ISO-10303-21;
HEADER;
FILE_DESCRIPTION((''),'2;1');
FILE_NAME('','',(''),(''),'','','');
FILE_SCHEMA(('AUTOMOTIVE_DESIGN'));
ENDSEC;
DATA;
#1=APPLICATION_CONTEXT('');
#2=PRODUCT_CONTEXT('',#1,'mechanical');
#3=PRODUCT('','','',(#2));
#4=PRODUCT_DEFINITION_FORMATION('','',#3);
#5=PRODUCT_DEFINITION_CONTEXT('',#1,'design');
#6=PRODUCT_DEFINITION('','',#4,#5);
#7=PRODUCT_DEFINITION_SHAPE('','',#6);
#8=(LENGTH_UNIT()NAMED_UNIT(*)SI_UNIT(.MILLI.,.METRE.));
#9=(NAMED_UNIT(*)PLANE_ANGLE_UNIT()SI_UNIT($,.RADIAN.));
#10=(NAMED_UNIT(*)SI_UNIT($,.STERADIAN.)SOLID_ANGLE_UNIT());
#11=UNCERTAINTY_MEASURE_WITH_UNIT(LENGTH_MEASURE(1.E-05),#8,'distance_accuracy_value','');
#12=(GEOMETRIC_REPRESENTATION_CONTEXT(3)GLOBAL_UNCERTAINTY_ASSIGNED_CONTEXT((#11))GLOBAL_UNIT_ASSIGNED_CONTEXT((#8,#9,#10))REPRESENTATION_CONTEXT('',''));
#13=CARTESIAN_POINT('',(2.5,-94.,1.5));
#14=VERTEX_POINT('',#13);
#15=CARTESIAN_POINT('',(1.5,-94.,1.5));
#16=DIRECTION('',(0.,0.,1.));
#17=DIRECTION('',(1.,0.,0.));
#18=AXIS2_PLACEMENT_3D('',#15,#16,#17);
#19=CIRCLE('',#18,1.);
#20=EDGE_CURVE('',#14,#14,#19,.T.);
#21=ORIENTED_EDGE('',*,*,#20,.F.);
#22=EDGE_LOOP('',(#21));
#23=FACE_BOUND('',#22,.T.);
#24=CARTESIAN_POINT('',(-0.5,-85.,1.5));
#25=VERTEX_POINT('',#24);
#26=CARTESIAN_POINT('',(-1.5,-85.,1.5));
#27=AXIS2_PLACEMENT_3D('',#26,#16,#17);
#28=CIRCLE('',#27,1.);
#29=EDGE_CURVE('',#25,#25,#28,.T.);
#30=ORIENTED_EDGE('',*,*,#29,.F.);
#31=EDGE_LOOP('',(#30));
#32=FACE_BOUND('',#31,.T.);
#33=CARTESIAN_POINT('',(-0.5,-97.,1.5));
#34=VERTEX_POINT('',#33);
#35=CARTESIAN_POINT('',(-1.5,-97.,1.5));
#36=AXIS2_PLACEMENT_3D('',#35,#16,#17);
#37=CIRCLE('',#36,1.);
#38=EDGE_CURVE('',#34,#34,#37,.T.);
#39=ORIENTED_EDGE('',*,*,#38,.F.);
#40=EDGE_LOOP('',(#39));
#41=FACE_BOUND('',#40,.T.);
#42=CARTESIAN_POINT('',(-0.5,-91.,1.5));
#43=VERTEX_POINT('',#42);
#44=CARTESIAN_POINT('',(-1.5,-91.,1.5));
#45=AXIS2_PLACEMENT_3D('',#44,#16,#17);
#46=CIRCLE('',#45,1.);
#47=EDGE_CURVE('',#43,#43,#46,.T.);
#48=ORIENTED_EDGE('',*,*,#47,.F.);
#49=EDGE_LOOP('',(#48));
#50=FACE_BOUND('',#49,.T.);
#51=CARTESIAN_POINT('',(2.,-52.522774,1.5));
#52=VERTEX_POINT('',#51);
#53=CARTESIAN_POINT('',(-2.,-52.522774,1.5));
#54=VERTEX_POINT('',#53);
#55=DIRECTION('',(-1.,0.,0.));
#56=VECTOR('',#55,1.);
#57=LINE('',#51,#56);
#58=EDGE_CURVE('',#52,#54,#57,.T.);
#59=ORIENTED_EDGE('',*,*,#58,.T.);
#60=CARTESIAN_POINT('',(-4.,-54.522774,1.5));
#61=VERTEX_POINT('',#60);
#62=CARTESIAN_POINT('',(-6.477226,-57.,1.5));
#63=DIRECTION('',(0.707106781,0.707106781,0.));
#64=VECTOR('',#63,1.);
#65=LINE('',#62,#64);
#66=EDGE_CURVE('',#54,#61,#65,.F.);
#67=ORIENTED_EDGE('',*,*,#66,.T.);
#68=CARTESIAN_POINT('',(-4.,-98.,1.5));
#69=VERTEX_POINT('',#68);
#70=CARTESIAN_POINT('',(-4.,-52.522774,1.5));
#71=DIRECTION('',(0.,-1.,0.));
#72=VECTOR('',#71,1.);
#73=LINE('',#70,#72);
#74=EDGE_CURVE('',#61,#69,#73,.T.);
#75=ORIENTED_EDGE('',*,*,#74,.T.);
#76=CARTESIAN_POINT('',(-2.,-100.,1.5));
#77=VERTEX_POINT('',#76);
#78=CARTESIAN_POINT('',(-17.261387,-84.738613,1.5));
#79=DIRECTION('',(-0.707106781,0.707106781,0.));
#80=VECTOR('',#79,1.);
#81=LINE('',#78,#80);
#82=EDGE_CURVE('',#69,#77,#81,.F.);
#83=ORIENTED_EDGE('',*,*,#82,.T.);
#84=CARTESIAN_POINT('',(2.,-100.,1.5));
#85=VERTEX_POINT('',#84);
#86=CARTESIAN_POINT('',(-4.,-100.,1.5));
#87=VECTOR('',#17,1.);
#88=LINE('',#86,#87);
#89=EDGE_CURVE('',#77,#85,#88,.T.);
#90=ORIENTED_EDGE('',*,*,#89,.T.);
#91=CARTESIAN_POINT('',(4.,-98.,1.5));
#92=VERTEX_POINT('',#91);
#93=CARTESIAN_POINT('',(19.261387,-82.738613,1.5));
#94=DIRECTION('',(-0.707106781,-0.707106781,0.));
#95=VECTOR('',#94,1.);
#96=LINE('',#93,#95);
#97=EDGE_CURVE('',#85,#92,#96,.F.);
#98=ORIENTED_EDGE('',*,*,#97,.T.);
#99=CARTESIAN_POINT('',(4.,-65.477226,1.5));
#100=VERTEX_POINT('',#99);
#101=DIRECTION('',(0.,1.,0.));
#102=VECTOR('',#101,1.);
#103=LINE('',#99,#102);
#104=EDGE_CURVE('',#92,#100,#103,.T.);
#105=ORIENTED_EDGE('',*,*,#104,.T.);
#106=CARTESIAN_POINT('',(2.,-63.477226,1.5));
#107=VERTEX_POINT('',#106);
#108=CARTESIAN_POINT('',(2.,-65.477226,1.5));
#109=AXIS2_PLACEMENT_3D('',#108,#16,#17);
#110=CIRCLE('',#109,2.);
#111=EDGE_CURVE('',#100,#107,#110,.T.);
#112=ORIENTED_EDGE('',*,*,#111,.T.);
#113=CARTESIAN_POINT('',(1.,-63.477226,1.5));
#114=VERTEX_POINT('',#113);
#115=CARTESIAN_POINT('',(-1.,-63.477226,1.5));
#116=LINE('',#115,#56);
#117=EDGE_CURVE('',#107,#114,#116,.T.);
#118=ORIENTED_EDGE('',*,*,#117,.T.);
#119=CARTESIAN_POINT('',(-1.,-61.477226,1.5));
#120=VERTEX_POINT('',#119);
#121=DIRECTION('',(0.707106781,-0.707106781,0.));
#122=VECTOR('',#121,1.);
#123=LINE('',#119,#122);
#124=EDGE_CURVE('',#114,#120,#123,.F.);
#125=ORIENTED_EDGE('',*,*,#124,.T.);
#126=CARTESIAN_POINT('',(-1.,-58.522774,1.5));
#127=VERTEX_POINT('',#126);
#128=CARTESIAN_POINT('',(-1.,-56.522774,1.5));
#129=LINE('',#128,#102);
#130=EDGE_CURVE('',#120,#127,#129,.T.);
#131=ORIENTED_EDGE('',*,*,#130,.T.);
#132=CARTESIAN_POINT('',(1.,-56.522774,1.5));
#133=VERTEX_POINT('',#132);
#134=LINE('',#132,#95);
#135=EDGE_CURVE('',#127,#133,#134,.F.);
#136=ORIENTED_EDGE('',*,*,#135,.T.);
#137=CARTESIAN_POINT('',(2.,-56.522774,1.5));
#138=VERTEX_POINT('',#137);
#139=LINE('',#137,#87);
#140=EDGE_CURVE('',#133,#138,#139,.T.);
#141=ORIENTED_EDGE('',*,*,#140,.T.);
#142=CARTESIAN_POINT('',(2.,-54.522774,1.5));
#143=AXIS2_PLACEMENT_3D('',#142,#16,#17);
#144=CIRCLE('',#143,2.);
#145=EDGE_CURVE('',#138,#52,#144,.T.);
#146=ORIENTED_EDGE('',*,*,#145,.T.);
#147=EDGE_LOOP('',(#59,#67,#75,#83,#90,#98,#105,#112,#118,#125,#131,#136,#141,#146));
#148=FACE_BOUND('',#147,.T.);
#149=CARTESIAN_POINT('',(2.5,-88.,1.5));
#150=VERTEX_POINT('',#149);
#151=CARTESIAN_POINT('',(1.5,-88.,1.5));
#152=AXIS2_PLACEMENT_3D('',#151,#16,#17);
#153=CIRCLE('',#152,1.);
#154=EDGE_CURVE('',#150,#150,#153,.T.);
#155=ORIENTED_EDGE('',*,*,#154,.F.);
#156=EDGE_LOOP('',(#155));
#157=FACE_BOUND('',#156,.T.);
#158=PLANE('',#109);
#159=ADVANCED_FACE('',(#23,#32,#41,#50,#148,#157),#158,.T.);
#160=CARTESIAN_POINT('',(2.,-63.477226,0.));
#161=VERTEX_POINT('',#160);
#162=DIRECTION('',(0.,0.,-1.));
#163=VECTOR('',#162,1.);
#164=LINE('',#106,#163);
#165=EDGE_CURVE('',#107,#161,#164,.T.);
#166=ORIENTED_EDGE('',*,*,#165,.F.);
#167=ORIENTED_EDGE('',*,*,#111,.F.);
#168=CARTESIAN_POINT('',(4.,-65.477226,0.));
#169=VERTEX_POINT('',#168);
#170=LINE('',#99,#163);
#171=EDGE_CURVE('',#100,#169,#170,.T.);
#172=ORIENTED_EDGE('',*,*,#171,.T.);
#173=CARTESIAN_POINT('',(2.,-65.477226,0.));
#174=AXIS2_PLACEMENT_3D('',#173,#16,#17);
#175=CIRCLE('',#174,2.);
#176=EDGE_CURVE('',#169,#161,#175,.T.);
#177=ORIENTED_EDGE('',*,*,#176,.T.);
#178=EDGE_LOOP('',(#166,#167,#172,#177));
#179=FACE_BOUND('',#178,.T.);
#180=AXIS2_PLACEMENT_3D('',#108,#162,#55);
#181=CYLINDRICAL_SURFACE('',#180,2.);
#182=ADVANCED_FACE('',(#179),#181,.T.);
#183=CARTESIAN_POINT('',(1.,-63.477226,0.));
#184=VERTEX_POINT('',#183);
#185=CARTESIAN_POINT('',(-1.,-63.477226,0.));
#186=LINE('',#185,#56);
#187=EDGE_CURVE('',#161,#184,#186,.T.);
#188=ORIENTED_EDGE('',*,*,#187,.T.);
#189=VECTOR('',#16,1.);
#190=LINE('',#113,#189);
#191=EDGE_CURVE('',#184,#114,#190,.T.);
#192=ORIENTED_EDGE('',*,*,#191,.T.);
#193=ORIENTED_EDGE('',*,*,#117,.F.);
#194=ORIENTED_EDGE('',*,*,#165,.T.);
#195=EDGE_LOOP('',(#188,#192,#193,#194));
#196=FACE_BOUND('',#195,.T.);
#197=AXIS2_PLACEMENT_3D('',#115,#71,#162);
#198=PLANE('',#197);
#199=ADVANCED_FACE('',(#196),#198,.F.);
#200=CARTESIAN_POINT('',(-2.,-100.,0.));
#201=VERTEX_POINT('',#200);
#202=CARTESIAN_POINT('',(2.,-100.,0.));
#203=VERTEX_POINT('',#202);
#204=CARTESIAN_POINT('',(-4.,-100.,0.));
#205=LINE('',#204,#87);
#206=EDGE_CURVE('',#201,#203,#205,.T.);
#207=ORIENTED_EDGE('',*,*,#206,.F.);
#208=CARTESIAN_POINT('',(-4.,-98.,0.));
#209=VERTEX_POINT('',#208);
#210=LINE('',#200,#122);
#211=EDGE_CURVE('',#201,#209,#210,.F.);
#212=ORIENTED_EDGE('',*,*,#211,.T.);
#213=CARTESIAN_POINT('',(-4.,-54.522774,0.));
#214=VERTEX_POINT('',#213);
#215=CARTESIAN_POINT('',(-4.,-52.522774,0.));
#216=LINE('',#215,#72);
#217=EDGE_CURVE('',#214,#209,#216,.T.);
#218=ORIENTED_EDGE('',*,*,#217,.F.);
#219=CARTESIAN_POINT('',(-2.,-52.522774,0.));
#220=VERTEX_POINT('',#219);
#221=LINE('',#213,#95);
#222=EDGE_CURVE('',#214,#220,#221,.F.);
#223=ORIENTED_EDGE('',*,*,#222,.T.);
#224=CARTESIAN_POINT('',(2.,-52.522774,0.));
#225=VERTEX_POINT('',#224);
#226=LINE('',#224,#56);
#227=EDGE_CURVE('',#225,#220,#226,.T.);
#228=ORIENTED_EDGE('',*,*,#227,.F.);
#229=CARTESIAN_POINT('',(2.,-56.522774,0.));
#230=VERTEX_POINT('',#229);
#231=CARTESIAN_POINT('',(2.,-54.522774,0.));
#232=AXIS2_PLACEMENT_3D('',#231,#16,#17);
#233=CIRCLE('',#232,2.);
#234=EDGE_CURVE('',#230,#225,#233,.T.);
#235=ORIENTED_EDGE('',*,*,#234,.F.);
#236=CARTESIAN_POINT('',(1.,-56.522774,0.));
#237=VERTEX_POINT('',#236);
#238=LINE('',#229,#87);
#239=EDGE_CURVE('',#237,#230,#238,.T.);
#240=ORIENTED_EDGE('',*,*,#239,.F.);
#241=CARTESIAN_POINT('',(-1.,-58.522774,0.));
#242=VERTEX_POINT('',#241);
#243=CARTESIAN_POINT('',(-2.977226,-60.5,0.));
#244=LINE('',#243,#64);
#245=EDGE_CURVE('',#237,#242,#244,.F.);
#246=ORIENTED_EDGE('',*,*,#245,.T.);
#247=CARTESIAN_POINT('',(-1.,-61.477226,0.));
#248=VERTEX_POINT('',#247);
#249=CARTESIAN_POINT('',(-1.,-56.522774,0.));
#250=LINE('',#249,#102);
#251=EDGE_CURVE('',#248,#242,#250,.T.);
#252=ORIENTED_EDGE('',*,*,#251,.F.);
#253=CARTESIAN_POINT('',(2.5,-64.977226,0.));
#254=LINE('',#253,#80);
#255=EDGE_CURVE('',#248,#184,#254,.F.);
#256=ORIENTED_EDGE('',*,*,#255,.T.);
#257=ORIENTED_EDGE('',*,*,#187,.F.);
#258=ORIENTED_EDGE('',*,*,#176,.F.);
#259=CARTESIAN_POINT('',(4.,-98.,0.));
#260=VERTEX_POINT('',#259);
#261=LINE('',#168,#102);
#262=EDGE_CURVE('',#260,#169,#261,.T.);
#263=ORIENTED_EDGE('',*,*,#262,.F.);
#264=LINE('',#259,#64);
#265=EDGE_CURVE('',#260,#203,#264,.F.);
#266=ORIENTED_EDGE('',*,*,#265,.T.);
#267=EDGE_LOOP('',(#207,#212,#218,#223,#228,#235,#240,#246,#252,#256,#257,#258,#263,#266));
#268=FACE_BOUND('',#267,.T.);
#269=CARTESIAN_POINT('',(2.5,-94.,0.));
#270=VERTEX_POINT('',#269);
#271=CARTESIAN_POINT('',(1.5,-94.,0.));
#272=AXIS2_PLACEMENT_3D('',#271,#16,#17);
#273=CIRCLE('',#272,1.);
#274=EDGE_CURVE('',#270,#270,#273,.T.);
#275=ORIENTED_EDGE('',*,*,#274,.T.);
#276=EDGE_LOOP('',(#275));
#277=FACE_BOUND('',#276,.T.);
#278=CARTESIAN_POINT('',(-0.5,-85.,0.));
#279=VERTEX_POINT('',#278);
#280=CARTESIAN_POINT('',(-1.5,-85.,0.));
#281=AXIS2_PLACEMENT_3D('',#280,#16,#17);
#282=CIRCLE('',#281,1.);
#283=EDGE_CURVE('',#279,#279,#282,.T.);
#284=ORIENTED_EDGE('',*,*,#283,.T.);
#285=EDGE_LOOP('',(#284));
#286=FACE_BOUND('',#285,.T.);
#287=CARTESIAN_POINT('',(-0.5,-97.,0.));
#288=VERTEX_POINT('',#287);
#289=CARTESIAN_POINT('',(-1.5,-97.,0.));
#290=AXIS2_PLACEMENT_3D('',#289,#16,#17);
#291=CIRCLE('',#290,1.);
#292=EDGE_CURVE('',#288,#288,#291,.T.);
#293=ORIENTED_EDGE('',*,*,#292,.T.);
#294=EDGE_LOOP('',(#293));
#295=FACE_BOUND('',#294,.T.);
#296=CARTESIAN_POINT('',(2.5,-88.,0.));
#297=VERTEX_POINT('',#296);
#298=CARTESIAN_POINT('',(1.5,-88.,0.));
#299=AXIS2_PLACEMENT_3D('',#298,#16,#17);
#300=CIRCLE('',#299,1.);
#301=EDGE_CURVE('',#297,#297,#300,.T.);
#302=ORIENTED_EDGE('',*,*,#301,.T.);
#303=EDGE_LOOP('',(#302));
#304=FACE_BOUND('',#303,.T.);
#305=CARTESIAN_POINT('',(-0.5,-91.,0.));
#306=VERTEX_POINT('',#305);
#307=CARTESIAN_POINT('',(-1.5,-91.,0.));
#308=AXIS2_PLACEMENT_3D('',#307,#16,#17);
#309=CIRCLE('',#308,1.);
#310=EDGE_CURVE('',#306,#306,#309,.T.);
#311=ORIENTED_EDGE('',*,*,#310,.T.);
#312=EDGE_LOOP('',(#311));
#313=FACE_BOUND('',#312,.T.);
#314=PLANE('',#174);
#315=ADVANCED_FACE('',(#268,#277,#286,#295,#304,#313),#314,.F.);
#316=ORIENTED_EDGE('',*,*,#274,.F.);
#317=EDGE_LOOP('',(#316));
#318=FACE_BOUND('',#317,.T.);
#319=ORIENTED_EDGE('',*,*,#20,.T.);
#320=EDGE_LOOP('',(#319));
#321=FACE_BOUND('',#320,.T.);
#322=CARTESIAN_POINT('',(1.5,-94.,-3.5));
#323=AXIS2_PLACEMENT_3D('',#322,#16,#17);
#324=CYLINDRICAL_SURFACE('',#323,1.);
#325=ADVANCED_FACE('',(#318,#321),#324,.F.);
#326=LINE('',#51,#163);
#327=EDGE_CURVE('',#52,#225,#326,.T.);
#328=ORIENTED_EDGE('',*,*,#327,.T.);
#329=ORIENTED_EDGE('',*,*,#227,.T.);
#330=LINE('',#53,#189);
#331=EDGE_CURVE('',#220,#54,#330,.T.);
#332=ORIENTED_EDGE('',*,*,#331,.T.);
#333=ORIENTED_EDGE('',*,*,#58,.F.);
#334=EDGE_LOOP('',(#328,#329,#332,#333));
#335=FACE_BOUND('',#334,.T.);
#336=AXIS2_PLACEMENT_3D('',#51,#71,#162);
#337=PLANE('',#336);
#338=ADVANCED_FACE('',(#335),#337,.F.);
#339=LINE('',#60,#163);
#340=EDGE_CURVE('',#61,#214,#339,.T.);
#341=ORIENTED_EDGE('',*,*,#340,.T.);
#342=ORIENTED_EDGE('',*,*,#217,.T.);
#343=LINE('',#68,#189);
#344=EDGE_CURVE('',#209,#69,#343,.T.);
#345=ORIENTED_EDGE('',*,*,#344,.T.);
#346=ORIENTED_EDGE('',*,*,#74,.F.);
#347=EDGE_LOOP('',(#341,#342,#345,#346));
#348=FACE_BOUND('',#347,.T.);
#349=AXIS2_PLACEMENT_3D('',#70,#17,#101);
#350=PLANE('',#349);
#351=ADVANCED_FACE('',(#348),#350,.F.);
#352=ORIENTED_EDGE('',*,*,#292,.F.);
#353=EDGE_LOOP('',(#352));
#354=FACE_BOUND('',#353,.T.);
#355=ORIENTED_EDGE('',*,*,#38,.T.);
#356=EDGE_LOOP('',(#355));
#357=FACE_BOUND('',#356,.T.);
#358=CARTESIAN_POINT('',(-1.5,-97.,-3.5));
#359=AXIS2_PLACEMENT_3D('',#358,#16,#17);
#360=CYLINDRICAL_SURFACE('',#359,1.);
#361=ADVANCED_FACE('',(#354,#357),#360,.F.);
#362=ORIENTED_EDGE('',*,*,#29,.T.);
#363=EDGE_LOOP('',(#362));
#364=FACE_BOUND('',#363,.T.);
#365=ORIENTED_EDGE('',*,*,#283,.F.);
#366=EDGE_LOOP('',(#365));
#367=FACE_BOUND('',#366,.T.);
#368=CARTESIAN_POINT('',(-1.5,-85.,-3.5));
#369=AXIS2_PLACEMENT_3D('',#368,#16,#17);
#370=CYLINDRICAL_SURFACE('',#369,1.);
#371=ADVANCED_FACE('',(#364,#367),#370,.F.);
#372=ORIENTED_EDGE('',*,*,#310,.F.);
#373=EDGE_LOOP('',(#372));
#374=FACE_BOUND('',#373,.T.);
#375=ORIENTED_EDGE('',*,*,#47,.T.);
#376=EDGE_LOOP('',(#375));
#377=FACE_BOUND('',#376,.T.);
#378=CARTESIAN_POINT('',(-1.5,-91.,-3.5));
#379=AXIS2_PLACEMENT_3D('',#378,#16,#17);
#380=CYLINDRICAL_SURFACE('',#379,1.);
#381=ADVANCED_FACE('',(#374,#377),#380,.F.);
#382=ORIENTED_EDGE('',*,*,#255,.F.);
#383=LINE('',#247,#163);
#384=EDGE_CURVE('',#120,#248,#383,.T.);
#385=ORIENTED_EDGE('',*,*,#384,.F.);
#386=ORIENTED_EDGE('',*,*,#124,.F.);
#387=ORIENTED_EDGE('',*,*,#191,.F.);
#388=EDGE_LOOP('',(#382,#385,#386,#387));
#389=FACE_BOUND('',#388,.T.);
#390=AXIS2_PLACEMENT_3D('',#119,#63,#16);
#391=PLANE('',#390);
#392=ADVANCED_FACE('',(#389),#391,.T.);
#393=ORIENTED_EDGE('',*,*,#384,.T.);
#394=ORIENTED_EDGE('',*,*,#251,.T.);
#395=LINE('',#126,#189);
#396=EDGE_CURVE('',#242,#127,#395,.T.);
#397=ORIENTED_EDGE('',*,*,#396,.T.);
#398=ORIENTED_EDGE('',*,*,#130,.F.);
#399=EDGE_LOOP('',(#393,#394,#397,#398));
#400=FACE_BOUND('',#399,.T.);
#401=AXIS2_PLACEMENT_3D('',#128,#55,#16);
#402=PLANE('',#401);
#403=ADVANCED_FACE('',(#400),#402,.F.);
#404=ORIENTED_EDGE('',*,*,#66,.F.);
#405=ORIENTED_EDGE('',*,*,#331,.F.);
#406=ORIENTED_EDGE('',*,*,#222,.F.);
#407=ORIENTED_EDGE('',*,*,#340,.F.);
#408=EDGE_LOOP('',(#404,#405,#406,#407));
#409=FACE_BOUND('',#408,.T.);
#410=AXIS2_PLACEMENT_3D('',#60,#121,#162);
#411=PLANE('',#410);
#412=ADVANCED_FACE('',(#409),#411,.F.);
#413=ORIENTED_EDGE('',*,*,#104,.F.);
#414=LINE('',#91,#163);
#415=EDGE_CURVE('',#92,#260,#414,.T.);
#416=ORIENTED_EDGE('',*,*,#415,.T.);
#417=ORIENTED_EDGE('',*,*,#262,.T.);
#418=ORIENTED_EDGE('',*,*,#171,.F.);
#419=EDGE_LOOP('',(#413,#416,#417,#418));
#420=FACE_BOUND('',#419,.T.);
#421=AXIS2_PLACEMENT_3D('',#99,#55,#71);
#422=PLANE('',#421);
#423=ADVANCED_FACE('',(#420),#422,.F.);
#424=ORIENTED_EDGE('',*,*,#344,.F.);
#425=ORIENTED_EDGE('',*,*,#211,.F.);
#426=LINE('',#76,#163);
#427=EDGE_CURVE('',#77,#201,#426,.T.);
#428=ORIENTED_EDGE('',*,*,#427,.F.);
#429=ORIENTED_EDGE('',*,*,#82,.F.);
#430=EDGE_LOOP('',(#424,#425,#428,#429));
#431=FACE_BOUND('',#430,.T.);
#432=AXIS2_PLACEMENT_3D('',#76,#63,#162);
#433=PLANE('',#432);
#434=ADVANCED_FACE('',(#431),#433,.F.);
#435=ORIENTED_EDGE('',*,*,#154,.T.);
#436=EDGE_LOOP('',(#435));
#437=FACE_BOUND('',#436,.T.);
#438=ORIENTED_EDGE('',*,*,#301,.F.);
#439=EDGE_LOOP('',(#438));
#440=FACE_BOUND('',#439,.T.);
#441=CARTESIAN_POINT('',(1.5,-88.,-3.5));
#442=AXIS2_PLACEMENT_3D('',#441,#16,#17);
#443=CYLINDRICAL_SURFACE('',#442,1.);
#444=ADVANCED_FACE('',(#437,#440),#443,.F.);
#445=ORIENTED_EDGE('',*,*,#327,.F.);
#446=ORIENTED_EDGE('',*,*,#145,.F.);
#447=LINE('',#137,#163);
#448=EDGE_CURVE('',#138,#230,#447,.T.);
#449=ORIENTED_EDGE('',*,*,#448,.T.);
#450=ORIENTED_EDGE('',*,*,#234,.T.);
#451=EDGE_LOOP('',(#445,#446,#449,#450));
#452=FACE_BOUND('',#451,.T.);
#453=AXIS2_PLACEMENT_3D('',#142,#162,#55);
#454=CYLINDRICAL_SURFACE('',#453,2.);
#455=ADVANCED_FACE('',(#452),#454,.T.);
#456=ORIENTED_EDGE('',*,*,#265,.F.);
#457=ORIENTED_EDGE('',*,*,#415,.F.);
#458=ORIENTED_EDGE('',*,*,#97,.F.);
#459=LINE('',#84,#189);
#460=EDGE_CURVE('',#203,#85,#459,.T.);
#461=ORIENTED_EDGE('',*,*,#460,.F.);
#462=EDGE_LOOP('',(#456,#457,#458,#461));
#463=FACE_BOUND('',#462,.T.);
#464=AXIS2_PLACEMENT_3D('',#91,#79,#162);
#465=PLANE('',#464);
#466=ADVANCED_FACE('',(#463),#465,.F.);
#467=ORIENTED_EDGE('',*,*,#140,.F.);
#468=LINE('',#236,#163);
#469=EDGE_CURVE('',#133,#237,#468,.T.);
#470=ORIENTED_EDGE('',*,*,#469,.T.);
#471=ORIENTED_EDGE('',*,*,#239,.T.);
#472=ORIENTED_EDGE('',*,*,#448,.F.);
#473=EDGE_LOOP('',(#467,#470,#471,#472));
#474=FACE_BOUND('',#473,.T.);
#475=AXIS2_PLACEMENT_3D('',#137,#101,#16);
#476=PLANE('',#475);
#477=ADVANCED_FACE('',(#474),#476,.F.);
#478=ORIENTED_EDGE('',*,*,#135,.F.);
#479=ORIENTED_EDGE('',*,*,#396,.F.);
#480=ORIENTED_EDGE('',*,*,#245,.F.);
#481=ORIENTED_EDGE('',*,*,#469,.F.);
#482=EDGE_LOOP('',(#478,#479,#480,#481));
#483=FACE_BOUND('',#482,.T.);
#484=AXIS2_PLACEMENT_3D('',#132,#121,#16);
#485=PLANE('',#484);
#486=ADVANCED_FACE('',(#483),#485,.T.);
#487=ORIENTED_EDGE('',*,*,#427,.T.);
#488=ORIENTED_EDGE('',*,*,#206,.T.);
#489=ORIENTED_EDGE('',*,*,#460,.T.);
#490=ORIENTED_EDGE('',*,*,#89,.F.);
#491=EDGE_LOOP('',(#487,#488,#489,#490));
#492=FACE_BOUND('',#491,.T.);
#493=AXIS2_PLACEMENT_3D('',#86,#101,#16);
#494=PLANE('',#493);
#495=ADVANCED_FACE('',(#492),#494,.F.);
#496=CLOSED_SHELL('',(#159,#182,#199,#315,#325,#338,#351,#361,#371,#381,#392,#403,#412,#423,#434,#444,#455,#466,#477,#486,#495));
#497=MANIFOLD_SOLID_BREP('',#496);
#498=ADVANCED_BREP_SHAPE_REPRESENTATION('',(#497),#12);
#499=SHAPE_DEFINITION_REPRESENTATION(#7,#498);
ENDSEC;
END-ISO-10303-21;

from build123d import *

# Parameters (mm, degrees)
BOSS_EXTRUDE1_DEPTH = 1.5
SKETCH2_R           = 1
CUT_EXTRUDE1_DEPTH  = 5
CHAMFER1_SIZE       = 2


with BuildPart() as part:
    # Sketch1 → Boss-Extrude1 (new body)
    with BuildSketch(Plane.XY):
        with BuildLine():
            Line((-4, -100), (4, -100))
            Line((4, -100), (4, -65.477225575))
            ThreePointArc((4, -65.477225575), (3.414213562, -64.063012013), (2, -63.477225575))
            Line((2, -63.477225575), (-1, -63.477225575))
            Line((-1, -63.477225575), (-1, -56.522774425))
            Line((-1, -56.522774425), (2, -56.522774425))
            ThreePointArc((2, -56.522774425), (4, -54.522774425), (2, -52.522774425))
            Line((2, -52.522774425), (-4, -52.522774425))
            Line((-4, -52.522774425), (-4, -100))
        make_face()
    extrude(amount=BOSS_EXTRUDE1_DEPTH)

    # Sketch2 → Cut-Extrude1 (cut)
    with BuildSketch(Plane.XY.offset(1.5)):
        with Locations((-1.5, -97)):
            Circle(SKETCH2_R)
        with Locations((1.5, -94)):
            Circle(SKETCH2_R)
        with Locations((-1.5, -91)):
            Circle(SKETCH2_R)
        with Locations((-1.5, -85)):
            Circle(SKETCH2_R)
        with Locations((1.5, -88)):
            Circle(SKETCH2_R)
    extrude(amount=-CUT_EXTRUDE1_DEPTH, mode=Mode.SUBTRACT)

    # Chamfer1
    chamfer1_edges = [part.edges().sort_by_distance(p)[0] for p in [
        (-4, -52.522774425, 0.75),
        (-1, -56.522774425, 0.75),
        (-1, -63.477225575, 0.75),
        (4, -100, 0.75),
        (-4, -100, 0.75),
    ]]
    chamfer(chamfer1_edges, length=CHAMFER1_SIZE)


solid = part.part
